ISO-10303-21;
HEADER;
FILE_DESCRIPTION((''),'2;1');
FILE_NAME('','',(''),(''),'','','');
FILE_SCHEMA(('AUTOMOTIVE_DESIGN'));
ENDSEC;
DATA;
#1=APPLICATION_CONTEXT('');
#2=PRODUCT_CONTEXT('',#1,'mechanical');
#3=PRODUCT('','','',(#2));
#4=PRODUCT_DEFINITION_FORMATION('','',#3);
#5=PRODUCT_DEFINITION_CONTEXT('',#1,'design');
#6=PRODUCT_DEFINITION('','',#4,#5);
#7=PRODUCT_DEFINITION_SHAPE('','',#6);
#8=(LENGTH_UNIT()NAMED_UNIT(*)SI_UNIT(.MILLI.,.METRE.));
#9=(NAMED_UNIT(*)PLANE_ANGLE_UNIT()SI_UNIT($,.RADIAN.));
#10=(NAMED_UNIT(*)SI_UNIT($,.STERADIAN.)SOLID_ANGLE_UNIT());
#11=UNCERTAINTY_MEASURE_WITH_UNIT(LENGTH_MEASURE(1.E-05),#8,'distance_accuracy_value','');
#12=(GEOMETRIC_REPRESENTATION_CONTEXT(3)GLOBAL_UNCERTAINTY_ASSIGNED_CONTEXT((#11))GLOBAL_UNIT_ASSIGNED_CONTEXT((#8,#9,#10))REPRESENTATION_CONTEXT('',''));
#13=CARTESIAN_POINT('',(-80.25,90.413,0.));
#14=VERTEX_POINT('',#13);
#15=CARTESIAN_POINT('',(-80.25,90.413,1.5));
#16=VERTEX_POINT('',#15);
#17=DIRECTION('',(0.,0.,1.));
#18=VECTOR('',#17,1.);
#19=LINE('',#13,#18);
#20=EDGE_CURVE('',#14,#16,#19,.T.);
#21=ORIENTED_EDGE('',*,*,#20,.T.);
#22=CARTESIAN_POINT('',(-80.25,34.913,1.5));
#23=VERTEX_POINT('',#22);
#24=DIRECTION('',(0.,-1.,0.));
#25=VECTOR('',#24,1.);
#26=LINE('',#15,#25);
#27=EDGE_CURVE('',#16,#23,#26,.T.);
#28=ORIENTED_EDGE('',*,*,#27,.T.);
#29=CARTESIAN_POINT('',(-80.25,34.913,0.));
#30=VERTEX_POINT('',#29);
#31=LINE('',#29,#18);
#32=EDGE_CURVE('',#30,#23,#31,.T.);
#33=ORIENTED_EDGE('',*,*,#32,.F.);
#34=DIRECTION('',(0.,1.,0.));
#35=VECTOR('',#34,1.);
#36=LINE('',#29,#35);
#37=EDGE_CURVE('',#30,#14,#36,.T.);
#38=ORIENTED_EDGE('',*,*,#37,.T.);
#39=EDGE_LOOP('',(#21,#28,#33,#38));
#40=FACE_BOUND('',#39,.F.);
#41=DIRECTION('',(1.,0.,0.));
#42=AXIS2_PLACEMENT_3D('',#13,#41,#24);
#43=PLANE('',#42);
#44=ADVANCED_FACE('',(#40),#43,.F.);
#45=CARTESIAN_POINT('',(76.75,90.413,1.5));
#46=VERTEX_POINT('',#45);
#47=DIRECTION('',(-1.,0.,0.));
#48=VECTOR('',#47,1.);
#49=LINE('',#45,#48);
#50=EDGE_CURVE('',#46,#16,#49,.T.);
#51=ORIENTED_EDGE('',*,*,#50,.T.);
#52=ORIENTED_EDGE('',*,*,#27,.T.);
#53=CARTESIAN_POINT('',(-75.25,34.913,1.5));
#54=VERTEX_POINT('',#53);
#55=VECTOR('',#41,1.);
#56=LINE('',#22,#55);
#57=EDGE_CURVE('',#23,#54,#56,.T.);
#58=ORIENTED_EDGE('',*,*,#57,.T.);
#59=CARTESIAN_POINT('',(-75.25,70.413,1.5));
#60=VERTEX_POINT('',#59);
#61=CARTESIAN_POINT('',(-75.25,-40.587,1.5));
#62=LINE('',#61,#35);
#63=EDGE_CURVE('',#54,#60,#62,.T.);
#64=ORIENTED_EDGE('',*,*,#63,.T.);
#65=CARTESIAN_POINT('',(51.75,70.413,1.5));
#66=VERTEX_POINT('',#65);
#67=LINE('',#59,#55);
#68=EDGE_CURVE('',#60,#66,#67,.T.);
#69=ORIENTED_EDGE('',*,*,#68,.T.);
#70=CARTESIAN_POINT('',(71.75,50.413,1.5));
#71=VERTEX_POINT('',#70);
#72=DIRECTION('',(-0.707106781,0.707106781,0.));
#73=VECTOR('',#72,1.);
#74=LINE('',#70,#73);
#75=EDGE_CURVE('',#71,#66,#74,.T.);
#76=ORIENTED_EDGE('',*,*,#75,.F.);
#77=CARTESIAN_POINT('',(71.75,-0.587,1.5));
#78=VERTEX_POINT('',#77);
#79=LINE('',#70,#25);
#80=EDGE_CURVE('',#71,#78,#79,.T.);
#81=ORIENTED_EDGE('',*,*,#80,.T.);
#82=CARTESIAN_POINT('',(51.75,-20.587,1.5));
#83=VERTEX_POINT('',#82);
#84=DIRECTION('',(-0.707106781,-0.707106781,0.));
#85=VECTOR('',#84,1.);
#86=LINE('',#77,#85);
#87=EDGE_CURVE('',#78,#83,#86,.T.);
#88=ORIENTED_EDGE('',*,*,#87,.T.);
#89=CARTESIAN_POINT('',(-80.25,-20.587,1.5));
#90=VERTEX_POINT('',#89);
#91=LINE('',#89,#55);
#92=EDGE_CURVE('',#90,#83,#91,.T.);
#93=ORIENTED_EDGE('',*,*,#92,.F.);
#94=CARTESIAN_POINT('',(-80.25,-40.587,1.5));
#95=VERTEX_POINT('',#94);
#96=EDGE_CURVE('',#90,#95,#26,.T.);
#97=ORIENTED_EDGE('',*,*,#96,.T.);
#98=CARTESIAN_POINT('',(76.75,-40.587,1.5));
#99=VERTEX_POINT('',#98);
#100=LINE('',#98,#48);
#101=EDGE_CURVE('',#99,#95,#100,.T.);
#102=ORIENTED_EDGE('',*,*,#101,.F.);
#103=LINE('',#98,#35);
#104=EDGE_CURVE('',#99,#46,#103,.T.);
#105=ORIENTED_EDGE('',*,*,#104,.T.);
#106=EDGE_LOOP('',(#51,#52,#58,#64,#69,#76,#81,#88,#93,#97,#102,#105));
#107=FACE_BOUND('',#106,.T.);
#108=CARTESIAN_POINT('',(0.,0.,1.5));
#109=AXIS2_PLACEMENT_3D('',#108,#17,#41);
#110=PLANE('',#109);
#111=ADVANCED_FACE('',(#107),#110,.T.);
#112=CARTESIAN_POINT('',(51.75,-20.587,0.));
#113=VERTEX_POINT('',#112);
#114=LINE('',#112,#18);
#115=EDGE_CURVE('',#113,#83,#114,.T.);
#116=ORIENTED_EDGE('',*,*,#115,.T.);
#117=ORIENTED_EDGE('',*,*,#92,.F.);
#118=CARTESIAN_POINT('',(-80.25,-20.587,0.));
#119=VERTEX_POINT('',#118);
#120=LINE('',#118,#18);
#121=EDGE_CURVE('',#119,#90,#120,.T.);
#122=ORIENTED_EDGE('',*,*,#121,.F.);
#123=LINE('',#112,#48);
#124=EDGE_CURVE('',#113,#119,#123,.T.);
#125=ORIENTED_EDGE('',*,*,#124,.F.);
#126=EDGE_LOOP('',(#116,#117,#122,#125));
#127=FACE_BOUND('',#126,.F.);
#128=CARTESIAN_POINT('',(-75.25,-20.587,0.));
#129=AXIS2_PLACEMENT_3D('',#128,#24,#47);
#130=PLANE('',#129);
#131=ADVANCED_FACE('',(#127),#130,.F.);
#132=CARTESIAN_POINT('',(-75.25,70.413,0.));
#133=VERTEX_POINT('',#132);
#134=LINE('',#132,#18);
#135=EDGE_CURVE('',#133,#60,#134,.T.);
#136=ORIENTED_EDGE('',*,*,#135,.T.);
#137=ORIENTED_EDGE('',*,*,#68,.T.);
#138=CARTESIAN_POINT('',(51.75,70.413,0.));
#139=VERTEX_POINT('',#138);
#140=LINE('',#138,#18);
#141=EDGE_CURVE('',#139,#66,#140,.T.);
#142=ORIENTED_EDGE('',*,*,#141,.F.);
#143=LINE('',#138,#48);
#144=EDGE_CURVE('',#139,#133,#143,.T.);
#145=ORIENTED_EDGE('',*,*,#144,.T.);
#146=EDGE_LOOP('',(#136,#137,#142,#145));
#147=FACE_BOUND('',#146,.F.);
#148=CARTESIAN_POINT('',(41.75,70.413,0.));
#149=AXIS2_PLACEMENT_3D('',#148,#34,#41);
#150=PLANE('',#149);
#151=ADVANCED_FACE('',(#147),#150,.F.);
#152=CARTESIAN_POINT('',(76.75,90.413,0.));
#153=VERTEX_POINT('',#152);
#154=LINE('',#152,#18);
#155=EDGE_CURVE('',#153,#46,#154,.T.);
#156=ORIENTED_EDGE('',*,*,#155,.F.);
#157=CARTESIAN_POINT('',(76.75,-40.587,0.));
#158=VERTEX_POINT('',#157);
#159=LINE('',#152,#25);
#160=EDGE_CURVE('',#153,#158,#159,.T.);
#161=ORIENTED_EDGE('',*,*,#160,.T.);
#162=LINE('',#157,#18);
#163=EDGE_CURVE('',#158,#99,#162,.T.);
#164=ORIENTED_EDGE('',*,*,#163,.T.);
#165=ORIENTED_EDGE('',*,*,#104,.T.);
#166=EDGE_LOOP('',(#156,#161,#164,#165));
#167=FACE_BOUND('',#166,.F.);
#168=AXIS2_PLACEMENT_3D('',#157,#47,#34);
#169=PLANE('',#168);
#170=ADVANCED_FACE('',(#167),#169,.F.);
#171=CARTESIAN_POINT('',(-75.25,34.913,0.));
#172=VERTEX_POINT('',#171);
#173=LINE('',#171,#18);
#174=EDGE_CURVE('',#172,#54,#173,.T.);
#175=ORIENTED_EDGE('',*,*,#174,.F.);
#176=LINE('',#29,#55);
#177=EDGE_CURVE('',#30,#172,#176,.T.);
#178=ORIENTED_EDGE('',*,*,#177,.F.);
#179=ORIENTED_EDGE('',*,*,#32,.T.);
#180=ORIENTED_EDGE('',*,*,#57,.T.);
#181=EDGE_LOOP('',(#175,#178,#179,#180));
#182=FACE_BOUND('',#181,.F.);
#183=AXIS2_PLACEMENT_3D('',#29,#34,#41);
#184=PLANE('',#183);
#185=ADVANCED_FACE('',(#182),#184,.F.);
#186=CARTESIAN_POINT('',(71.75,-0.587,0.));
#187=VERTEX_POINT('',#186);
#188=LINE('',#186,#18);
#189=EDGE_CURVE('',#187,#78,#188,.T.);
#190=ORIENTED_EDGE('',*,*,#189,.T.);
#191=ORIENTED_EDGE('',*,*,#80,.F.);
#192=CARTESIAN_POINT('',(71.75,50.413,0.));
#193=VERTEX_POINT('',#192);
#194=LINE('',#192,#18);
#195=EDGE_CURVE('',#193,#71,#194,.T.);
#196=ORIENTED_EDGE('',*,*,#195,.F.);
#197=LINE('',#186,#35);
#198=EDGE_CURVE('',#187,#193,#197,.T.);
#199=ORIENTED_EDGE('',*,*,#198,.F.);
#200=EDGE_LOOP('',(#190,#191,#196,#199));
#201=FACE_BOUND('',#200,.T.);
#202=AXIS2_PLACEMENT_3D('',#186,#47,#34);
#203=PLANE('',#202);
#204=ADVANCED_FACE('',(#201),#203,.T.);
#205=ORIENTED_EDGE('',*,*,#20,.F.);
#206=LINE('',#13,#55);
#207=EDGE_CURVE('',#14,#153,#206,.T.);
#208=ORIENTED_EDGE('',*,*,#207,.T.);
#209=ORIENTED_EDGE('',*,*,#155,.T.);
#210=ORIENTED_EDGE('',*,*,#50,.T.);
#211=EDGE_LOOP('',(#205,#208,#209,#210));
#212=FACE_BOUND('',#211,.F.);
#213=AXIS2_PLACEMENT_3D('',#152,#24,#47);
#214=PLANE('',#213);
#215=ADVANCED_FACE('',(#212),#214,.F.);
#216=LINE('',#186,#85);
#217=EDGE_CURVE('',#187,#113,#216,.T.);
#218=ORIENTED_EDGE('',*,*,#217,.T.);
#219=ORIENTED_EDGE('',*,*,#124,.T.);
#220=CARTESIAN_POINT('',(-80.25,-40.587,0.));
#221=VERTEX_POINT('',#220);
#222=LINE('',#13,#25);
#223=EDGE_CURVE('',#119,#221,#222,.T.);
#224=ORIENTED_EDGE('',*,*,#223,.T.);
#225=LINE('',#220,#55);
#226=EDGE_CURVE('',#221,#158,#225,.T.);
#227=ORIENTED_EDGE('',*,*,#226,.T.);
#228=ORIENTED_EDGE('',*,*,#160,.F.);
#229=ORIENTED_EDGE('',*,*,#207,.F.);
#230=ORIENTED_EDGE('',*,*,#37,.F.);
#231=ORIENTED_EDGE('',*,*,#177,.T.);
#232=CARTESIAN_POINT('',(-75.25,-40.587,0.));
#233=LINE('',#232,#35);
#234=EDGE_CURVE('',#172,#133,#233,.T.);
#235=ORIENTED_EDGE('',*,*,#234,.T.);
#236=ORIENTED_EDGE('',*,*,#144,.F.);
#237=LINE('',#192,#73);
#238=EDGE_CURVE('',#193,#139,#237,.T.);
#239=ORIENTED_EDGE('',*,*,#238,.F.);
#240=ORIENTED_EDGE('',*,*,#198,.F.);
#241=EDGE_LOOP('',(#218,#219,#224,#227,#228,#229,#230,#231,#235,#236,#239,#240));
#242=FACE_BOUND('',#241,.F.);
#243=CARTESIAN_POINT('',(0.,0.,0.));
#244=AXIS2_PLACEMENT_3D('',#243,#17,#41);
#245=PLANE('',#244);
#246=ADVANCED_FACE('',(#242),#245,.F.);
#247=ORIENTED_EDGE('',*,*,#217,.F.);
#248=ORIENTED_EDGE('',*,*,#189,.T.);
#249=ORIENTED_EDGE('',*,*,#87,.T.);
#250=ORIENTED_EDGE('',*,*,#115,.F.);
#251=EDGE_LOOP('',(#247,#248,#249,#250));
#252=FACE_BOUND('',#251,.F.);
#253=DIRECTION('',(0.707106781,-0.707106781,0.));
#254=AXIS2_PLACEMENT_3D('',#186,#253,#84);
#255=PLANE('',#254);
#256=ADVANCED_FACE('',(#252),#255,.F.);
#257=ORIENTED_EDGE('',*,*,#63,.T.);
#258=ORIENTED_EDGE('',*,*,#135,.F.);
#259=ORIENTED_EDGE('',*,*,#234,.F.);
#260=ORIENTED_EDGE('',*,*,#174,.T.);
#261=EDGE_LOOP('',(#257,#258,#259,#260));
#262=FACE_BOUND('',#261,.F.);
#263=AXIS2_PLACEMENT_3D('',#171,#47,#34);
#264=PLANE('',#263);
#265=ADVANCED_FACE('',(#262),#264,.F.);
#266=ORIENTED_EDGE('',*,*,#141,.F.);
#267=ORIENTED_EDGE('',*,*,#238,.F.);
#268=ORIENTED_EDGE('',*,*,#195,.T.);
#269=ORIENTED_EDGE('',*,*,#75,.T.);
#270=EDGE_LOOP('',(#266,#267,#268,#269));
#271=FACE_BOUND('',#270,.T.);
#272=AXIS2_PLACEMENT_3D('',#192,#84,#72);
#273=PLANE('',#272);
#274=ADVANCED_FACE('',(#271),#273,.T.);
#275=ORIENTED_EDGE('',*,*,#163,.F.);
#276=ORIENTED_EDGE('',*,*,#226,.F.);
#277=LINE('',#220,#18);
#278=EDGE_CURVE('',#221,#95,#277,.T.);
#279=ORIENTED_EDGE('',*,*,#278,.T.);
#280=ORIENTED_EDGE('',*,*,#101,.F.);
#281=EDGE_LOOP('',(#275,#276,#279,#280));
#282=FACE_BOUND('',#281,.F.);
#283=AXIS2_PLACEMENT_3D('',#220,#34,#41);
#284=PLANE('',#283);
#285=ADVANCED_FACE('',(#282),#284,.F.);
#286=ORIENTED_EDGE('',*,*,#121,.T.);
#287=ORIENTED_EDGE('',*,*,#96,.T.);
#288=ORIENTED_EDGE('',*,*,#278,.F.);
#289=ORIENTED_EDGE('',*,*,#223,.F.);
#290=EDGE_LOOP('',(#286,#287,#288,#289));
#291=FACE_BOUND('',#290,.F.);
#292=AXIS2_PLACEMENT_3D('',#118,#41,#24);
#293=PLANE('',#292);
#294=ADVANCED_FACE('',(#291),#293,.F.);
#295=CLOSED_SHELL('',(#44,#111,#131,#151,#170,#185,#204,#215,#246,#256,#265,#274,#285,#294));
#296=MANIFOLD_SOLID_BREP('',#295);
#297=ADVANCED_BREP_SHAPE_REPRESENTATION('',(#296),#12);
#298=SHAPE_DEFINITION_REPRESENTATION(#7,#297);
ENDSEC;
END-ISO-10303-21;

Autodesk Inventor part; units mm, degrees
ref_plane "YZ Plane" through (0, 0, 0) normal (1, 0, 0) x (0, 1, 0)
ref_plane "XZ Plane" through (0, 0, 0) normal (0, 1, 0) x (-1, 0, 0)
ref_plane "XY Plane" through (0, 0, 0) normal (0, 0, 1) x (1, 0, 0)
sketch "Эскиз1" plane through (0, 0, 0) normal (0, 0, 1) x (1, 0, 0)
  line L0 (0, 0) -> (-80.25, 0) construction
  line L1 (-80.25, 0) -> (-80.25, -18.086) construction
  line L2 (-80.25, -18.086) -> (0, -18.086) construction
  line L3 (0, -18.086) -> (0, 0) construction
  line L4 (-80.25, -18.086) -> (-80.25, -40.587) construction
  line L5 (-80.25, -18.086) -> (-57.749, -18.086) construction
  line L6 (-80.25, -40.587) -> (76.75, -40.587)
  line L7 (76.75, -40.587) -> (76.75, 90.413)
  line L8 (76.75, 90.413) -> (-80.25, 90.413)
  line L9 (-80.25, 90.413) -> (-80.25, -40.587)
  line L10 (-80.25, -40.587) -> (76.75, -40.587)
  line L11 (76.75, -40.587) -> (76.75, -20.587)
  line L12 (76.75, -20.587) -> (-80.25, -20.587)
  line L13 (-80.25, -20.587) -> (-80.25, -40.587)
  line L14 (76.75, 90.413) -> (-80.25, 90.413)
  line L15 (-80.25, 90.413) -> (-80.25, 70.413)
  line L16 (-80.25, 70.413) -> (76.75, 70.413)
  line L17 (76.75, 70.413) -> (76.75, 90.413)
  line L18 (-80.25, -40.587) -> (-75.25, -40.587)
  line L19 (-75.25, -40.587) -> (-75.25, 90.413)
  line L20 (-75.25, 90.413) -> (-80.25, 90.413)
  line L21 (-80.25, 90.413) -> (-80.25, -40.587)
  line L22 (76.75, -40.587) -> (71.75, -40.587)
  line L23 (71.75, -40.587) -> (71.75, 90.413)
  line L24 (71.75, 90.413) -> (76.75, 90.413)
  line L25 (76.75, 90.413) -> (76.75, -40.587)
  line L26 (76.75, -40.587) -> (41.75, -40.587)
  line L27 (41.75, -40.587) -> (41.75, -20.587)
  line L28 (41.75, -40.587) -> (61.75, -40.587) construction
  line L29 (76.75, 24.913) -> (-80.25, 24.913)
  line L30 (41.75, 90.413) -> (41.75, 70.413)
  line L31 (71.75, 70.413) -> (71.75, 50.413)
  line L32 (71.75, 50.413) -> (51.75, 70.413)
  line L33 (71.75, 50.413) -> (100.0343, 50.413) construction
  line L34 (71.75, -0.587) -> (51.75, -20.587)
  line L35 (-75.25, 24.913) -> (-80.25, 24.913)
  line L36 (-80.25, 24.913) -> (-80.25, 34.913)
  line L37 (-80.25, 34.913) -> (-75.25, 34.913)
  line L38 (-75.25, 34.913) -> (-75.25, 24.913)
  point P0 (-75.25, -20.587)
  point P1 (-75.25, 70.413)
  point P2 (71.75, -20.587)
  dimension "d0" = 80.25
  dimension "d1" = 18.086
  dimension "d2" = 22.501
  dimension "d3" = 90
  dimension "d4" = 157
  dimension "d5" = 131
  dimension "d6" = 157
  dimension "d7" = 20
  dimension "d8" = 157
  dimension "d9" = 20
  dimension "d10" = 5
  dimension "d11" = 131
  dimension "d12" = 5
  dimension "d13" = 131
  dimension "d16" = 35
  dimension "d17" = 20
  dimension "d18" = 90
  dimension "d19" = 20
  dimension "d20" = 135
  dimension "d21" = 10
extrude "Выдавливание1" add sketch "Эскиз1" along normal blind 1.5 contours L9 L12 L19 L6 | L19 L12 L27 L6 | L27 L12 L23 L6 | L23 L12 L7 L6 | L9 L16 L19 L37 | L23 L29 L7 L12 | L12 L34 L23 | L23 L16 L7 L29 | L9 L8 L19 L16 | L19 L8 L30 L16 | L32 L16 L23 | L30 L8 L23 L16 | L23 L8 L7 L16
sketch "Эскиз2" plane through (-80.25, -40.587, 0) normal (0, -1, 0) x (1, 0, 0)
  line L0 (132, 0) -> (0, 0) projected
  line L1 (157, 0) -> (0, 0) projected
  line L2 (0, 0) -> (157, 0)
  line L3 (157, 0) -> (78.5, 0)
  line L4 (78.5, 0) -> (78.5, -20)
  line L5 (78.5, -20) -> (73.5, -20)
  line L6 (73.5, -20) -> (49.6649, 0)
  line L7 (78.5, -20) -> (83.5, -20)
  line L8 (83.5, -20) -> (107.3351, 0)
  point P0 (80.25, 0)
  dimension "d22" = 20
  dimension "d24" = 5
  dimension "d25" = 140
properties part number "sensor board"
